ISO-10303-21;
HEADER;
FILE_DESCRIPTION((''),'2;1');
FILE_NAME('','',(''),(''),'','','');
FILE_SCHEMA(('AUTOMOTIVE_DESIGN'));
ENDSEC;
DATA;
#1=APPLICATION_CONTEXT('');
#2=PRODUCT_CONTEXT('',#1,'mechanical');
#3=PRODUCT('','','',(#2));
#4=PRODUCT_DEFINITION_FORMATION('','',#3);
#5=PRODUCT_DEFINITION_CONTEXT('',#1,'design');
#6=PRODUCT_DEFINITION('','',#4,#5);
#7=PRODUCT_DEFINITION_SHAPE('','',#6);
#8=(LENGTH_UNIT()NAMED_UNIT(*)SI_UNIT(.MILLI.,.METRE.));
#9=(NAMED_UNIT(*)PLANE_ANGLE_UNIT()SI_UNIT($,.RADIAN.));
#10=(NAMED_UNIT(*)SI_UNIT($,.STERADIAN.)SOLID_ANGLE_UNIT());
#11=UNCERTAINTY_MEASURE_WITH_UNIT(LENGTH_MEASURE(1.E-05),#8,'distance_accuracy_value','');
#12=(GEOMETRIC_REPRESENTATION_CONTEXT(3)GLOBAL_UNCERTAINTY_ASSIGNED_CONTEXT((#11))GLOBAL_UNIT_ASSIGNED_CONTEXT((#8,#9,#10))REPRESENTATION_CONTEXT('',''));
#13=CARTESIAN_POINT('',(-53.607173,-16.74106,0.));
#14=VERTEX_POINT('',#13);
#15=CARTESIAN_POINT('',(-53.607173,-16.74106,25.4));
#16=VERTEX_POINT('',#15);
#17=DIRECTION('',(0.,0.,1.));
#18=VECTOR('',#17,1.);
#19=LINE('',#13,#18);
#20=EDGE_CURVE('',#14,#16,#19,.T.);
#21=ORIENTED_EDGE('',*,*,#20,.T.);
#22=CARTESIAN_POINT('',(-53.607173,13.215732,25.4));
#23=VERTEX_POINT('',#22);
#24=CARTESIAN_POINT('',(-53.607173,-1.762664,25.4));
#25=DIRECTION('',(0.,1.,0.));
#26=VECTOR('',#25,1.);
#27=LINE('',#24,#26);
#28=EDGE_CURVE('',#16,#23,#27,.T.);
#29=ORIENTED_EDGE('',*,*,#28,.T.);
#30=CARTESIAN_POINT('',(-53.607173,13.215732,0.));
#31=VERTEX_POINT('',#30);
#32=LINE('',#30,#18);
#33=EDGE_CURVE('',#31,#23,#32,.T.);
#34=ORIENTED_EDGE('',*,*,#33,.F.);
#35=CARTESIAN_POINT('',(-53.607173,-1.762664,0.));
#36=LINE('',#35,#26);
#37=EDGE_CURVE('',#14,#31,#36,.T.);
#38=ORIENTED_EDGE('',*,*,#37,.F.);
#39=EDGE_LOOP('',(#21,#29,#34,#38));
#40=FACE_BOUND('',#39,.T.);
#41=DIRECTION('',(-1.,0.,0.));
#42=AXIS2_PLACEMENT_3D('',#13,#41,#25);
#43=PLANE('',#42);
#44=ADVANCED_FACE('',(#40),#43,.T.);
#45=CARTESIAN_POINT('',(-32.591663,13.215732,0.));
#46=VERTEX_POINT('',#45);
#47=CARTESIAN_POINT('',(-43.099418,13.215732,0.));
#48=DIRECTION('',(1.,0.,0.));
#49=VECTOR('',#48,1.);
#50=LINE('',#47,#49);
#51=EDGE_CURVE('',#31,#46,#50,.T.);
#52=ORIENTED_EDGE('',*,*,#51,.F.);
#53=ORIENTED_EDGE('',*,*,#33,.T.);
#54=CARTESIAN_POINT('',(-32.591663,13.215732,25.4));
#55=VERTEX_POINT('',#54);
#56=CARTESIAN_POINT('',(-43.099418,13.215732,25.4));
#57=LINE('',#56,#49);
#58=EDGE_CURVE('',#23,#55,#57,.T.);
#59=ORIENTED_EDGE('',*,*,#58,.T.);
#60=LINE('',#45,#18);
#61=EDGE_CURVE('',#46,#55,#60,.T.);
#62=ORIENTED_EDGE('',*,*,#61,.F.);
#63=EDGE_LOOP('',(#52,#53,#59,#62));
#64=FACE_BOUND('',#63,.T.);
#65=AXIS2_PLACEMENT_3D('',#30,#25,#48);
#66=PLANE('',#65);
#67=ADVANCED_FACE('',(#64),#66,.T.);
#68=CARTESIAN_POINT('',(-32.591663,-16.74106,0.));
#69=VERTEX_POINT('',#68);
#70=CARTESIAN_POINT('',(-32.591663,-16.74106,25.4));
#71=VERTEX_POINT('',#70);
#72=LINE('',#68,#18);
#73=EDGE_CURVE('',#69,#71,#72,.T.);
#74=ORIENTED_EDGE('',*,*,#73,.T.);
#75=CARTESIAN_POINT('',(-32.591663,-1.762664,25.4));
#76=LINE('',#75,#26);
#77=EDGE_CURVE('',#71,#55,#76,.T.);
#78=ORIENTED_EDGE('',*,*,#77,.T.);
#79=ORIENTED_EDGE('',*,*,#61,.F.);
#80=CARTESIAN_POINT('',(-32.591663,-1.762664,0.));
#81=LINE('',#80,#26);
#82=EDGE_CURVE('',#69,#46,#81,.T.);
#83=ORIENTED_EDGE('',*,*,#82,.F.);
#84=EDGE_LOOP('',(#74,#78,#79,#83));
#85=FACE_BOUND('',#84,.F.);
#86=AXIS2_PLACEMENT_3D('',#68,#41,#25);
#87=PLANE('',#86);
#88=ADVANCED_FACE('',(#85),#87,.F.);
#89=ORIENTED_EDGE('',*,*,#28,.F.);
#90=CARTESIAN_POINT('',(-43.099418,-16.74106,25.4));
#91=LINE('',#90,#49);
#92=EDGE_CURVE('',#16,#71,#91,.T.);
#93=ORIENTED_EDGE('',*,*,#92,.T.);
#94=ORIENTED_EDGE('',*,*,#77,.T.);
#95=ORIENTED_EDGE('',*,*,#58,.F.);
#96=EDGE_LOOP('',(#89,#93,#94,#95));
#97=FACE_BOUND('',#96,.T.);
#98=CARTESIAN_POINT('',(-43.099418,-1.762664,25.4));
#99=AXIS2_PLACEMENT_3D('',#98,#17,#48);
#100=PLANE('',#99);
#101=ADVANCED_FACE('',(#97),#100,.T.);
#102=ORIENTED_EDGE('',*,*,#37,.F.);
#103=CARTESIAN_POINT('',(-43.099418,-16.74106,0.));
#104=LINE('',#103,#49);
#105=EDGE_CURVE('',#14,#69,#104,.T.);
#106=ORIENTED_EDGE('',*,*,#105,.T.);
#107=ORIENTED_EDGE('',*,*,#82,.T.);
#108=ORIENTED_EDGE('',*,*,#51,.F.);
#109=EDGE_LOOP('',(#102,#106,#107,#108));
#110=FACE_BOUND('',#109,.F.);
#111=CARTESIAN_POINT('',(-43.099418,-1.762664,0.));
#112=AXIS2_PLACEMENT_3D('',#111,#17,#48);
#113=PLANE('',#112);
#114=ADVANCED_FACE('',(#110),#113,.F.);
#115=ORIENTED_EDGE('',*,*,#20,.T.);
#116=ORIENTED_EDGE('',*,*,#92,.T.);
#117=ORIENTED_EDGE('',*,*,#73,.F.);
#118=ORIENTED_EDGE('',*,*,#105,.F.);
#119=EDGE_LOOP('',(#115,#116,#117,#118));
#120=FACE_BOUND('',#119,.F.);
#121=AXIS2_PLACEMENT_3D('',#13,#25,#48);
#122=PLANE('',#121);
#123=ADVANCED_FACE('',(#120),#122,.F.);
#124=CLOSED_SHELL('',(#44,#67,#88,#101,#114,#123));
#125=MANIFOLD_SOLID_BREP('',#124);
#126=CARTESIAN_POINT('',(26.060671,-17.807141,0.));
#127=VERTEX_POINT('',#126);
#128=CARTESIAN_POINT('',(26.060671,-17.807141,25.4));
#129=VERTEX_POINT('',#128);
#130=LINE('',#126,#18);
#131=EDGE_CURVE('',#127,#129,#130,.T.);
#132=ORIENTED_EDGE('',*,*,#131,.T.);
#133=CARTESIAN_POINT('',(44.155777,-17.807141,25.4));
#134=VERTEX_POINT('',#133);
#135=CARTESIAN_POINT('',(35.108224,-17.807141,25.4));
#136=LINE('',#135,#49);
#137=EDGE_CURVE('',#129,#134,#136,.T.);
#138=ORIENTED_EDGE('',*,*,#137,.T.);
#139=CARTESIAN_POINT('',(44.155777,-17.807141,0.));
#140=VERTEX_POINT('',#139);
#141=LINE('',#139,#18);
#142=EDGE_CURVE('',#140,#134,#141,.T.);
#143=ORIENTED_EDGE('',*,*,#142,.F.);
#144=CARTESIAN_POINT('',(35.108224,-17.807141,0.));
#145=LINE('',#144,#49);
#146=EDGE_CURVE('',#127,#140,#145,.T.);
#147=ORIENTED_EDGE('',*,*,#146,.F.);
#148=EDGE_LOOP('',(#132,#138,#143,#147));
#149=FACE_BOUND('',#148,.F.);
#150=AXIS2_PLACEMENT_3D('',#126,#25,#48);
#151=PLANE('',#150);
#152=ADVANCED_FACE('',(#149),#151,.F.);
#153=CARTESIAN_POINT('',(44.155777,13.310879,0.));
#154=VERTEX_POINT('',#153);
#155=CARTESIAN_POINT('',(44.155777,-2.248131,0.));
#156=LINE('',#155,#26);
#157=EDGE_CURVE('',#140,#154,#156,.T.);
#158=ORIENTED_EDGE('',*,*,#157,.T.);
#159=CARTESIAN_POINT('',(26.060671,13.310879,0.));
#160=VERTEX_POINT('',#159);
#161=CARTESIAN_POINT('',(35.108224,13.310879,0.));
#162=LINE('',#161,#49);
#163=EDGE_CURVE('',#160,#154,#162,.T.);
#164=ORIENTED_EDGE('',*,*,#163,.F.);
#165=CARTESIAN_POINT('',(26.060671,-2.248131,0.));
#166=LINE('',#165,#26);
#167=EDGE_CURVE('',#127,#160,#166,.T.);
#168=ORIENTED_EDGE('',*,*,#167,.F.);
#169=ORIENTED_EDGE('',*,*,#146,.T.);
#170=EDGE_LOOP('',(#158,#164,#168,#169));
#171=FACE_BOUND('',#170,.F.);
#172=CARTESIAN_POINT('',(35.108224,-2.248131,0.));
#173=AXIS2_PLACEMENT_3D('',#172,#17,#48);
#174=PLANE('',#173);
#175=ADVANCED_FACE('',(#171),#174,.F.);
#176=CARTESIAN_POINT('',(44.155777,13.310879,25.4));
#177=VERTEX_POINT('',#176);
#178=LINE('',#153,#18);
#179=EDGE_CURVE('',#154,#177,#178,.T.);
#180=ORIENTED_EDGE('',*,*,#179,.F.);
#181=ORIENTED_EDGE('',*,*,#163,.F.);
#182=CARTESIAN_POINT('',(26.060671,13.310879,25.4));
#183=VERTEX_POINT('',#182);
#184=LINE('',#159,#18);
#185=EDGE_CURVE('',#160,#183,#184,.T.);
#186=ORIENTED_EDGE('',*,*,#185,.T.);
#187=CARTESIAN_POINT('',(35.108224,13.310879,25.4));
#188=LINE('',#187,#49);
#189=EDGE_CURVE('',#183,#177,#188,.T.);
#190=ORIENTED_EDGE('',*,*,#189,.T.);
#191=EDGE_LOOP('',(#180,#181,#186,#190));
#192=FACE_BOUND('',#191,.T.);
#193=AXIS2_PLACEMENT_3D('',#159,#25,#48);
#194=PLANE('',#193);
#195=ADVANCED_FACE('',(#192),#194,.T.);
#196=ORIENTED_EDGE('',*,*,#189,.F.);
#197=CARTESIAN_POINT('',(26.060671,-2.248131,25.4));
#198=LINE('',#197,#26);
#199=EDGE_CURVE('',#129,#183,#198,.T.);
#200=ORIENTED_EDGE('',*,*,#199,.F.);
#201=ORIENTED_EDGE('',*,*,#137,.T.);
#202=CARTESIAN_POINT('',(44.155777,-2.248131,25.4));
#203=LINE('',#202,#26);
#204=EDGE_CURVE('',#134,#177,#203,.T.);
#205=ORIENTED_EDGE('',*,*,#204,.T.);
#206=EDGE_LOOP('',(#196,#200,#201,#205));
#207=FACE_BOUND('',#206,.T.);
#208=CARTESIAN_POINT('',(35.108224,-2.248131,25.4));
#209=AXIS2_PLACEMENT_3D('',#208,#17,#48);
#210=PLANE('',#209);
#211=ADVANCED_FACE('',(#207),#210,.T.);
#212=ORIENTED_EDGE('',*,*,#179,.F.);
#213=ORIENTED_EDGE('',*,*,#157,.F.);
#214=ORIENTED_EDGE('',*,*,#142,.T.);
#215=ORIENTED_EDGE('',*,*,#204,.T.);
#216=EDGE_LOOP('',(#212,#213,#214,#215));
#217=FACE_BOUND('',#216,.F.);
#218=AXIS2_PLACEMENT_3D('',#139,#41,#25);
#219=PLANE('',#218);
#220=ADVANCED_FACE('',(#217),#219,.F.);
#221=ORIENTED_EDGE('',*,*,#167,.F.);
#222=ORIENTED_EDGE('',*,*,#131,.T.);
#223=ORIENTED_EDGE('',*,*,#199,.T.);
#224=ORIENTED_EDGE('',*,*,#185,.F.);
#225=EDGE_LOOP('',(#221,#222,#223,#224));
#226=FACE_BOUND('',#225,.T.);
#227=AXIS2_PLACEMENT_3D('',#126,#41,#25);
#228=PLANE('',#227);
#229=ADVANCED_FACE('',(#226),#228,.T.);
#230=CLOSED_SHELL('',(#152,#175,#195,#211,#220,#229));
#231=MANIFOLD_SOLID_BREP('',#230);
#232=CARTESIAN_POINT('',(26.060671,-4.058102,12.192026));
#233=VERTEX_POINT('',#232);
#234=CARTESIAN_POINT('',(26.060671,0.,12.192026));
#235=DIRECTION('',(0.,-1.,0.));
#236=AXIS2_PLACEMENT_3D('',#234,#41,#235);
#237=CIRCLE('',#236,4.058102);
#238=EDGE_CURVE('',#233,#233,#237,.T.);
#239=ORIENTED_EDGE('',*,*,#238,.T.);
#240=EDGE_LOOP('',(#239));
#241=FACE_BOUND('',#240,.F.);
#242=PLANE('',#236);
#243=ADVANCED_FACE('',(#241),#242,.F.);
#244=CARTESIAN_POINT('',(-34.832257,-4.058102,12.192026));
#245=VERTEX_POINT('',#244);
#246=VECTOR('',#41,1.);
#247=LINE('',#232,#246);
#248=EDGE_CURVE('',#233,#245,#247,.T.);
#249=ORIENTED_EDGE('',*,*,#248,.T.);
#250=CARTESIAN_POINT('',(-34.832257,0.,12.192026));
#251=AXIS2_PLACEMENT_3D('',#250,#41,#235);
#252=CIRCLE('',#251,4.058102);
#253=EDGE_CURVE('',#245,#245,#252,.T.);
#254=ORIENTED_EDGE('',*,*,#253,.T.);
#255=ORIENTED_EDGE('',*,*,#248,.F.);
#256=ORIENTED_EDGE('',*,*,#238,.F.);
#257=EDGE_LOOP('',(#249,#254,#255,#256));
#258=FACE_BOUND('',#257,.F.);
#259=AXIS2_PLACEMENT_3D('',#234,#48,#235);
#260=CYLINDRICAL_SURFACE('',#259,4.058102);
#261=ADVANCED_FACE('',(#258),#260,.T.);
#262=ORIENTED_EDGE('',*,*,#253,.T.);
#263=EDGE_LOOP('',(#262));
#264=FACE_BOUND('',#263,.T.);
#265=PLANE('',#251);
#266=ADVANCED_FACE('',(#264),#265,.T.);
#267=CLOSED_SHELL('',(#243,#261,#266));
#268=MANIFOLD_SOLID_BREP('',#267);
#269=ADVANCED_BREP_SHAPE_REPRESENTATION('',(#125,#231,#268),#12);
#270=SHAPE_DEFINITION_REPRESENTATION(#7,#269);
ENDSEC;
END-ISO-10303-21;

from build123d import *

# Parameters (mm, degrees)
F0_W     = 18.095106
F0_H     = 31.11802
F1_DEPTH = 25.4
F2_W     = 21.01551
F2_H     = 29.956792
F3_DEPTH = 25.4
F4_R     = 4.058102
F5_DEPTH = 60.892928


with BuildPart() as f1:
    # F0 (on Top) → F1 (new body)
    with BuildSketch(Plane.XY):
        with Locations((35.108224, -2.248131)):
            Rectangle(F0_W, F0_H)
    extrude(amount=F1_DEPTH)


with BuildPart() as f3:
    # F2 (on Top) → F3 (new body)
    with BuildSketch(Plane.XY):
        with Locations((-43.099418, -1.762664)):
            Rectangle(F2_W, F2_H)
    extrude(amount=F3_DEPTH)


with BuildPart() as f5:
    # F4 (on face) → F5 (new body)
    with BuildSketch(Plane(origin=(26.060671, 0, 0), x_dir=(0, -1, 0), z_dir=(-1, 0, 0))):
        with Locations((0, 12.192026)):
            Circle(F4_R)
    extrude(amount=F5_DEPTH)


solid = Compound([f1.part, f3.part, f5.part])
